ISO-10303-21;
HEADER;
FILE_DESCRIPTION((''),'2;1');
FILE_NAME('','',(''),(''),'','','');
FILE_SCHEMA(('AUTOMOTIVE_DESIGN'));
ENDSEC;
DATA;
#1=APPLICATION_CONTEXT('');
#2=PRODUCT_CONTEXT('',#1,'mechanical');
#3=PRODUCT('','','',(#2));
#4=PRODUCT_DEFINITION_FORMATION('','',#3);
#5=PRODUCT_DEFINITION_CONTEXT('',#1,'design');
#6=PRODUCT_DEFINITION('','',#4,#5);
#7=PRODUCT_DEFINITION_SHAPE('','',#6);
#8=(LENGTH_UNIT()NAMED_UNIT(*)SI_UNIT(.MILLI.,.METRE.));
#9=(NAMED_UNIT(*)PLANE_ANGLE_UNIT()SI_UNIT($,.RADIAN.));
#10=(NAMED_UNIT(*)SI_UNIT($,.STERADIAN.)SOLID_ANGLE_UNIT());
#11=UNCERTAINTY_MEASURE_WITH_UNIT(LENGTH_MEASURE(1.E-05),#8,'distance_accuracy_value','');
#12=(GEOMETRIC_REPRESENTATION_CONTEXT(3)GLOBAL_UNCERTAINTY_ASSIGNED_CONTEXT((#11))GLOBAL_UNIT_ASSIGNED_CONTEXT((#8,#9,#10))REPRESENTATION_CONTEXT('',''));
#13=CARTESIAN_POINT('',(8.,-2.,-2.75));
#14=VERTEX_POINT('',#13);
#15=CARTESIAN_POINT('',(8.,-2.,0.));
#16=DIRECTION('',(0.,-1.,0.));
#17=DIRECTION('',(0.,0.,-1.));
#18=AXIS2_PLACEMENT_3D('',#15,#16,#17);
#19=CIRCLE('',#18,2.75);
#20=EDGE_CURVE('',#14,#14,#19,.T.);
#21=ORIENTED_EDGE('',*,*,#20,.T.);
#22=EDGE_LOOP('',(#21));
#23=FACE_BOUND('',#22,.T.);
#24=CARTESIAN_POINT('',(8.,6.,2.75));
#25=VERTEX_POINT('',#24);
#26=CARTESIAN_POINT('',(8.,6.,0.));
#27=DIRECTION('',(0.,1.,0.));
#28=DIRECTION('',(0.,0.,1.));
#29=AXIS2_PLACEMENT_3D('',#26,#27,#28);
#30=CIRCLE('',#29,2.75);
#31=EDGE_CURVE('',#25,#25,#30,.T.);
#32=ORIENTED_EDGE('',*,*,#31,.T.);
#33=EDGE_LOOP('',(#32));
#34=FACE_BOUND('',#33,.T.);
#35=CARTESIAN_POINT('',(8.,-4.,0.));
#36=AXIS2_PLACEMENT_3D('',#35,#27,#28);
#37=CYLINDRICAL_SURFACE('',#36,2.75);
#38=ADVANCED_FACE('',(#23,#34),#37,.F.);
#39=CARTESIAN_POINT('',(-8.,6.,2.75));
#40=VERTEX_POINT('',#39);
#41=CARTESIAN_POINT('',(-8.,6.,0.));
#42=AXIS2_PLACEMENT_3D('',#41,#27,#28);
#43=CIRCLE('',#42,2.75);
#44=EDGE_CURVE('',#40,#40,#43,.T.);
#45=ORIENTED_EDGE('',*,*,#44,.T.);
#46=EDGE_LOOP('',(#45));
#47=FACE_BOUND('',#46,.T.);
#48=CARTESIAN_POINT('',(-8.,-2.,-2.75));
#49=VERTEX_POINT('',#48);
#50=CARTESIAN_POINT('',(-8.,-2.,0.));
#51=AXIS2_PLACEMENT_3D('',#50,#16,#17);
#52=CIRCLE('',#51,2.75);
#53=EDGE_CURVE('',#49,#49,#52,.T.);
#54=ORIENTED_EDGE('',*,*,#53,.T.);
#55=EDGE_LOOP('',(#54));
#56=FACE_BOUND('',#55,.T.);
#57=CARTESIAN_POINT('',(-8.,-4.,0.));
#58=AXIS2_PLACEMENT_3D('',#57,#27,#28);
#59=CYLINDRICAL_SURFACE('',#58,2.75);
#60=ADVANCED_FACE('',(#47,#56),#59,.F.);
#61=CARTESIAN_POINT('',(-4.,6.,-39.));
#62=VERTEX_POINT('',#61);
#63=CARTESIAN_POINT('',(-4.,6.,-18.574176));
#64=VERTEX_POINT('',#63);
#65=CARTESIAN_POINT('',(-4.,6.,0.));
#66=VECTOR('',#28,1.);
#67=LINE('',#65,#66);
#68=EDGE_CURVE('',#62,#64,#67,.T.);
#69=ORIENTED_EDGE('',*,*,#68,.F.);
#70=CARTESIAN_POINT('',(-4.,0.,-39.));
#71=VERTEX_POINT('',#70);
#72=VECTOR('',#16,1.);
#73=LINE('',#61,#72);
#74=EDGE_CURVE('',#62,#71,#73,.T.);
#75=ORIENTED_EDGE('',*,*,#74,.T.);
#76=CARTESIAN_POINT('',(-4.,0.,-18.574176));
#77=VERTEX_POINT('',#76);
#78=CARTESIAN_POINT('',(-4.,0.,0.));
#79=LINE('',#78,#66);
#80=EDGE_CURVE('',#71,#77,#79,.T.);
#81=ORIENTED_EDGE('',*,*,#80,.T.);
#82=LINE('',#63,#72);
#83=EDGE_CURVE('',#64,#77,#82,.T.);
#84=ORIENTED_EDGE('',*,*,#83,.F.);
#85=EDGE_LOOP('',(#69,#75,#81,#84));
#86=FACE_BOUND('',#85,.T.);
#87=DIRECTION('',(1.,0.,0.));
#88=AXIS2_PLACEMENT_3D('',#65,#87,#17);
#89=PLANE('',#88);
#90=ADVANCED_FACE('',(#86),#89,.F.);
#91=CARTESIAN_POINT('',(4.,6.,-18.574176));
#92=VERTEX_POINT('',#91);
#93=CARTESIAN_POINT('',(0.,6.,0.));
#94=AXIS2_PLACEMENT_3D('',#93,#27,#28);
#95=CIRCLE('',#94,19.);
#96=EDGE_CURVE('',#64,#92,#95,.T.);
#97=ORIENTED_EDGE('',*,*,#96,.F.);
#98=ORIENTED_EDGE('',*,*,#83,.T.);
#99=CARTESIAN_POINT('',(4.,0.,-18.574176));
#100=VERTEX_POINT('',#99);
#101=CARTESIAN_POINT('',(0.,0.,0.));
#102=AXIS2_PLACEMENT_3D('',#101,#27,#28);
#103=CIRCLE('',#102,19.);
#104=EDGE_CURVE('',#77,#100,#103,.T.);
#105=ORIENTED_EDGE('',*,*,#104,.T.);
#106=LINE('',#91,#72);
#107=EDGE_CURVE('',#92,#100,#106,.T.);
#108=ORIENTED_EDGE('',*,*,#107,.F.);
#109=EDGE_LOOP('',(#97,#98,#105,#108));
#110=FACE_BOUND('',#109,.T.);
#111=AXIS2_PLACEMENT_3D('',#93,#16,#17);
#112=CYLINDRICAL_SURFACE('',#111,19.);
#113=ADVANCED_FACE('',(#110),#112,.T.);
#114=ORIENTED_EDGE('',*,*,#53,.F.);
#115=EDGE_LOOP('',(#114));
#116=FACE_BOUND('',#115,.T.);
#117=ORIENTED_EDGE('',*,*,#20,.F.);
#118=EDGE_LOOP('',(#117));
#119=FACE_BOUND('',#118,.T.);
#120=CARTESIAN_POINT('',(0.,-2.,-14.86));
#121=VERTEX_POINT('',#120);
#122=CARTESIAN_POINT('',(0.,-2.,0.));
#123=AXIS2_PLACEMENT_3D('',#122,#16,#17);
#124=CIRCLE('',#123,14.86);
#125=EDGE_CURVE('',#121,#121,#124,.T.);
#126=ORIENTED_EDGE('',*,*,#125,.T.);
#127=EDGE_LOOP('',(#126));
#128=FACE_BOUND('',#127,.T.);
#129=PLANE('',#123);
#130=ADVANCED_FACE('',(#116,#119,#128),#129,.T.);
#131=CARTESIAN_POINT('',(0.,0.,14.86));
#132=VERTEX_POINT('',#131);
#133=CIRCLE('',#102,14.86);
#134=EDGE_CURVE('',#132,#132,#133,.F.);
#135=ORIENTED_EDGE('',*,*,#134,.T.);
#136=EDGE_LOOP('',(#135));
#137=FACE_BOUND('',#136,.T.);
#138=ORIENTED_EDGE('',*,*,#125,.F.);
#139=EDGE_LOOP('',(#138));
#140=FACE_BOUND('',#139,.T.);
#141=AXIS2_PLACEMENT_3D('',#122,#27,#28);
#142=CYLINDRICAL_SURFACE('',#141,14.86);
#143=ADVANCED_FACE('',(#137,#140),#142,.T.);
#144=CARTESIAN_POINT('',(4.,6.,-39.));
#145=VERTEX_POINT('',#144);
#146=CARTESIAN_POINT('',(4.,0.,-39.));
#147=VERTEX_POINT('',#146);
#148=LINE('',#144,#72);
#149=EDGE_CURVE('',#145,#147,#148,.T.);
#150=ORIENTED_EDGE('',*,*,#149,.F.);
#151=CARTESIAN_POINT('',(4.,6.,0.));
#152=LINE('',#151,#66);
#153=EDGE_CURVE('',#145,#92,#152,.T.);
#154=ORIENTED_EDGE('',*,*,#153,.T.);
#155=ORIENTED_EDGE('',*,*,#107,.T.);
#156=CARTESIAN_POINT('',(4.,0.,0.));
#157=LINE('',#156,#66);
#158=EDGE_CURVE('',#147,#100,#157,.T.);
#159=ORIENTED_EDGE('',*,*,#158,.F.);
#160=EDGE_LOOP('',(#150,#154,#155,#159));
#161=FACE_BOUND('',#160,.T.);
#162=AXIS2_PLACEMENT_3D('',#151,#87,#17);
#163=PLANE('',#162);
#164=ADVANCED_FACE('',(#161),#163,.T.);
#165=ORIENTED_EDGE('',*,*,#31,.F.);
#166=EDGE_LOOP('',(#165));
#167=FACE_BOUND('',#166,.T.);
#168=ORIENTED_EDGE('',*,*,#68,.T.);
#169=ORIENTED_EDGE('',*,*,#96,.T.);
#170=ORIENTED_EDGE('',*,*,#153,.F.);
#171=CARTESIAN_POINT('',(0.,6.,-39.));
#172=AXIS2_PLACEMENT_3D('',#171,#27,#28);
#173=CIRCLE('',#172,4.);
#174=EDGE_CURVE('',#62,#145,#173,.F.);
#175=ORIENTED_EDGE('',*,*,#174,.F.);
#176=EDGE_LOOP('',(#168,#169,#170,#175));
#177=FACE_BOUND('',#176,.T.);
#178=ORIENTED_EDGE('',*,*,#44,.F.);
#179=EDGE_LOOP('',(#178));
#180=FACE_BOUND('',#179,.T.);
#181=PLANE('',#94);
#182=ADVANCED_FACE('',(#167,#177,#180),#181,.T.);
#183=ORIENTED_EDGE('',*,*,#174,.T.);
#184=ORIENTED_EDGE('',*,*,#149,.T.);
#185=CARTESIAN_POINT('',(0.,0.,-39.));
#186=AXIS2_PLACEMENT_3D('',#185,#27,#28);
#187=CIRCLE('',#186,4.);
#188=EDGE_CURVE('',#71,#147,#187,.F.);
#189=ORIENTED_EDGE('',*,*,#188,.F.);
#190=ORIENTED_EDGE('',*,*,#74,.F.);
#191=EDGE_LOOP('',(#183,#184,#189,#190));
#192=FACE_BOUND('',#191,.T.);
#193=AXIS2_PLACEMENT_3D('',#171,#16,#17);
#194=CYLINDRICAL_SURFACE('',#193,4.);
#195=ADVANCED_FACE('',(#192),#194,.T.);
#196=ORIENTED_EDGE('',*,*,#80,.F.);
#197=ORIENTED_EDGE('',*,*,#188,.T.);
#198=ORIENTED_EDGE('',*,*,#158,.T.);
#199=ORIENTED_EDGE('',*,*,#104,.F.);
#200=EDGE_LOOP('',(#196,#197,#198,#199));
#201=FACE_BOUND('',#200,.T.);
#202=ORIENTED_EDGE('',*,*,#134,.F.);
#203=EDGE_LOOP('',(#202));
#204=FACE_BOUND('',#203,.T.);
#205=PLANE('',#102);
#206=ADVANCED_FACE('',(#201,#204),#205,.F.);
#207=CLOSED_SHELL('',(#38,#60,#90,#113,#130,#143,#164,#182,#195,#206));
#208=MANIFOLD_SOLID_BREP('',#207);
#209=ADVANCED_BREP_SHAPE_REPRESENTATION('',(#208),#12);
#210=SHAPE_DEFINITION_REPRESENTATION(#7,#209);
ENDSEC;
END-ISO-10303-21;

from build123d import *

# Parameters (mm, degrees)
SKETCH1_R           = 19
BOSS_EXTRUDE1_DEPTH = 6
SKETCH3_R           = 14.86
BOSS_EXTRUDE2_DEPTH = 2
SKETCH2_R           = 2.75
CUT_EXTRUDE1_DEPTH  = 10


with BuildPart() as part:
    # Sketch1 → Boss-Extrude1 (new body)
    with BuildSketch(Plane(origin=(0, 0, 0), x_dir=(1, 0, 0), z_dir=(0, 1, 0))):
        with BuildLine():
            ThreePointArc((-4, 39), (0, 43), (4, 39))
            Line((4, 39), (0, 39))
            Line((0, 39), (-4, 39))
        make_face()
        with BuildLine():
            ThreePointArc((-4, 18.574175621), (-2.011300972, 18.893243988), (0, 19))
            Line((0, 19), (0, 39))
            Line((0, 39), (-4, 39))
            Line((-4, 39), (-4, 18.574175621))
        make_face()
        with BuildLine():
            Line((0, 39), (0, 19))
            ThreePointArc((0, 19), (2.011300972, 18.893243988), (4, 18.574175621))
            Line((4, 18.574175621), (4, 39))
            Line((4, 39), (0, 39))
        make_face()
        Circle(SKETCH1_R)
    extrude(amount=BOSS_EXTRUDE1_DEPTH)

    # Sketch3 → Boss-Extrude2 (add)
    with BuildSketch(Plane.XZ):
        with Locations(Location((0, 0, 0), (0, 0, 90))):
            Circle(SKETCH3_R)
    extrude(amount=BOSS_EXTRUDE2_DEPTH)

    # Sketch2 → Cut-Extrude1 (cut)
    with BuildSketch(Plane(origin=(0, 6, 0), x_dir=(1, 0, 0), z_dir=(0, 1, 0))):
        with Locations(Location((8, 0, 0), (0, 0, 270))):
            Circle(SKETCH2_R)
        with Locations(Location((-8, 0, 0), (0, 0, 270))):
            Circle(SKETCH2_R)
    extrude(amount=-CUT_EXTRUDE1_DEPTH, mode=Mode.SUBTRACT)


solid = part.part
